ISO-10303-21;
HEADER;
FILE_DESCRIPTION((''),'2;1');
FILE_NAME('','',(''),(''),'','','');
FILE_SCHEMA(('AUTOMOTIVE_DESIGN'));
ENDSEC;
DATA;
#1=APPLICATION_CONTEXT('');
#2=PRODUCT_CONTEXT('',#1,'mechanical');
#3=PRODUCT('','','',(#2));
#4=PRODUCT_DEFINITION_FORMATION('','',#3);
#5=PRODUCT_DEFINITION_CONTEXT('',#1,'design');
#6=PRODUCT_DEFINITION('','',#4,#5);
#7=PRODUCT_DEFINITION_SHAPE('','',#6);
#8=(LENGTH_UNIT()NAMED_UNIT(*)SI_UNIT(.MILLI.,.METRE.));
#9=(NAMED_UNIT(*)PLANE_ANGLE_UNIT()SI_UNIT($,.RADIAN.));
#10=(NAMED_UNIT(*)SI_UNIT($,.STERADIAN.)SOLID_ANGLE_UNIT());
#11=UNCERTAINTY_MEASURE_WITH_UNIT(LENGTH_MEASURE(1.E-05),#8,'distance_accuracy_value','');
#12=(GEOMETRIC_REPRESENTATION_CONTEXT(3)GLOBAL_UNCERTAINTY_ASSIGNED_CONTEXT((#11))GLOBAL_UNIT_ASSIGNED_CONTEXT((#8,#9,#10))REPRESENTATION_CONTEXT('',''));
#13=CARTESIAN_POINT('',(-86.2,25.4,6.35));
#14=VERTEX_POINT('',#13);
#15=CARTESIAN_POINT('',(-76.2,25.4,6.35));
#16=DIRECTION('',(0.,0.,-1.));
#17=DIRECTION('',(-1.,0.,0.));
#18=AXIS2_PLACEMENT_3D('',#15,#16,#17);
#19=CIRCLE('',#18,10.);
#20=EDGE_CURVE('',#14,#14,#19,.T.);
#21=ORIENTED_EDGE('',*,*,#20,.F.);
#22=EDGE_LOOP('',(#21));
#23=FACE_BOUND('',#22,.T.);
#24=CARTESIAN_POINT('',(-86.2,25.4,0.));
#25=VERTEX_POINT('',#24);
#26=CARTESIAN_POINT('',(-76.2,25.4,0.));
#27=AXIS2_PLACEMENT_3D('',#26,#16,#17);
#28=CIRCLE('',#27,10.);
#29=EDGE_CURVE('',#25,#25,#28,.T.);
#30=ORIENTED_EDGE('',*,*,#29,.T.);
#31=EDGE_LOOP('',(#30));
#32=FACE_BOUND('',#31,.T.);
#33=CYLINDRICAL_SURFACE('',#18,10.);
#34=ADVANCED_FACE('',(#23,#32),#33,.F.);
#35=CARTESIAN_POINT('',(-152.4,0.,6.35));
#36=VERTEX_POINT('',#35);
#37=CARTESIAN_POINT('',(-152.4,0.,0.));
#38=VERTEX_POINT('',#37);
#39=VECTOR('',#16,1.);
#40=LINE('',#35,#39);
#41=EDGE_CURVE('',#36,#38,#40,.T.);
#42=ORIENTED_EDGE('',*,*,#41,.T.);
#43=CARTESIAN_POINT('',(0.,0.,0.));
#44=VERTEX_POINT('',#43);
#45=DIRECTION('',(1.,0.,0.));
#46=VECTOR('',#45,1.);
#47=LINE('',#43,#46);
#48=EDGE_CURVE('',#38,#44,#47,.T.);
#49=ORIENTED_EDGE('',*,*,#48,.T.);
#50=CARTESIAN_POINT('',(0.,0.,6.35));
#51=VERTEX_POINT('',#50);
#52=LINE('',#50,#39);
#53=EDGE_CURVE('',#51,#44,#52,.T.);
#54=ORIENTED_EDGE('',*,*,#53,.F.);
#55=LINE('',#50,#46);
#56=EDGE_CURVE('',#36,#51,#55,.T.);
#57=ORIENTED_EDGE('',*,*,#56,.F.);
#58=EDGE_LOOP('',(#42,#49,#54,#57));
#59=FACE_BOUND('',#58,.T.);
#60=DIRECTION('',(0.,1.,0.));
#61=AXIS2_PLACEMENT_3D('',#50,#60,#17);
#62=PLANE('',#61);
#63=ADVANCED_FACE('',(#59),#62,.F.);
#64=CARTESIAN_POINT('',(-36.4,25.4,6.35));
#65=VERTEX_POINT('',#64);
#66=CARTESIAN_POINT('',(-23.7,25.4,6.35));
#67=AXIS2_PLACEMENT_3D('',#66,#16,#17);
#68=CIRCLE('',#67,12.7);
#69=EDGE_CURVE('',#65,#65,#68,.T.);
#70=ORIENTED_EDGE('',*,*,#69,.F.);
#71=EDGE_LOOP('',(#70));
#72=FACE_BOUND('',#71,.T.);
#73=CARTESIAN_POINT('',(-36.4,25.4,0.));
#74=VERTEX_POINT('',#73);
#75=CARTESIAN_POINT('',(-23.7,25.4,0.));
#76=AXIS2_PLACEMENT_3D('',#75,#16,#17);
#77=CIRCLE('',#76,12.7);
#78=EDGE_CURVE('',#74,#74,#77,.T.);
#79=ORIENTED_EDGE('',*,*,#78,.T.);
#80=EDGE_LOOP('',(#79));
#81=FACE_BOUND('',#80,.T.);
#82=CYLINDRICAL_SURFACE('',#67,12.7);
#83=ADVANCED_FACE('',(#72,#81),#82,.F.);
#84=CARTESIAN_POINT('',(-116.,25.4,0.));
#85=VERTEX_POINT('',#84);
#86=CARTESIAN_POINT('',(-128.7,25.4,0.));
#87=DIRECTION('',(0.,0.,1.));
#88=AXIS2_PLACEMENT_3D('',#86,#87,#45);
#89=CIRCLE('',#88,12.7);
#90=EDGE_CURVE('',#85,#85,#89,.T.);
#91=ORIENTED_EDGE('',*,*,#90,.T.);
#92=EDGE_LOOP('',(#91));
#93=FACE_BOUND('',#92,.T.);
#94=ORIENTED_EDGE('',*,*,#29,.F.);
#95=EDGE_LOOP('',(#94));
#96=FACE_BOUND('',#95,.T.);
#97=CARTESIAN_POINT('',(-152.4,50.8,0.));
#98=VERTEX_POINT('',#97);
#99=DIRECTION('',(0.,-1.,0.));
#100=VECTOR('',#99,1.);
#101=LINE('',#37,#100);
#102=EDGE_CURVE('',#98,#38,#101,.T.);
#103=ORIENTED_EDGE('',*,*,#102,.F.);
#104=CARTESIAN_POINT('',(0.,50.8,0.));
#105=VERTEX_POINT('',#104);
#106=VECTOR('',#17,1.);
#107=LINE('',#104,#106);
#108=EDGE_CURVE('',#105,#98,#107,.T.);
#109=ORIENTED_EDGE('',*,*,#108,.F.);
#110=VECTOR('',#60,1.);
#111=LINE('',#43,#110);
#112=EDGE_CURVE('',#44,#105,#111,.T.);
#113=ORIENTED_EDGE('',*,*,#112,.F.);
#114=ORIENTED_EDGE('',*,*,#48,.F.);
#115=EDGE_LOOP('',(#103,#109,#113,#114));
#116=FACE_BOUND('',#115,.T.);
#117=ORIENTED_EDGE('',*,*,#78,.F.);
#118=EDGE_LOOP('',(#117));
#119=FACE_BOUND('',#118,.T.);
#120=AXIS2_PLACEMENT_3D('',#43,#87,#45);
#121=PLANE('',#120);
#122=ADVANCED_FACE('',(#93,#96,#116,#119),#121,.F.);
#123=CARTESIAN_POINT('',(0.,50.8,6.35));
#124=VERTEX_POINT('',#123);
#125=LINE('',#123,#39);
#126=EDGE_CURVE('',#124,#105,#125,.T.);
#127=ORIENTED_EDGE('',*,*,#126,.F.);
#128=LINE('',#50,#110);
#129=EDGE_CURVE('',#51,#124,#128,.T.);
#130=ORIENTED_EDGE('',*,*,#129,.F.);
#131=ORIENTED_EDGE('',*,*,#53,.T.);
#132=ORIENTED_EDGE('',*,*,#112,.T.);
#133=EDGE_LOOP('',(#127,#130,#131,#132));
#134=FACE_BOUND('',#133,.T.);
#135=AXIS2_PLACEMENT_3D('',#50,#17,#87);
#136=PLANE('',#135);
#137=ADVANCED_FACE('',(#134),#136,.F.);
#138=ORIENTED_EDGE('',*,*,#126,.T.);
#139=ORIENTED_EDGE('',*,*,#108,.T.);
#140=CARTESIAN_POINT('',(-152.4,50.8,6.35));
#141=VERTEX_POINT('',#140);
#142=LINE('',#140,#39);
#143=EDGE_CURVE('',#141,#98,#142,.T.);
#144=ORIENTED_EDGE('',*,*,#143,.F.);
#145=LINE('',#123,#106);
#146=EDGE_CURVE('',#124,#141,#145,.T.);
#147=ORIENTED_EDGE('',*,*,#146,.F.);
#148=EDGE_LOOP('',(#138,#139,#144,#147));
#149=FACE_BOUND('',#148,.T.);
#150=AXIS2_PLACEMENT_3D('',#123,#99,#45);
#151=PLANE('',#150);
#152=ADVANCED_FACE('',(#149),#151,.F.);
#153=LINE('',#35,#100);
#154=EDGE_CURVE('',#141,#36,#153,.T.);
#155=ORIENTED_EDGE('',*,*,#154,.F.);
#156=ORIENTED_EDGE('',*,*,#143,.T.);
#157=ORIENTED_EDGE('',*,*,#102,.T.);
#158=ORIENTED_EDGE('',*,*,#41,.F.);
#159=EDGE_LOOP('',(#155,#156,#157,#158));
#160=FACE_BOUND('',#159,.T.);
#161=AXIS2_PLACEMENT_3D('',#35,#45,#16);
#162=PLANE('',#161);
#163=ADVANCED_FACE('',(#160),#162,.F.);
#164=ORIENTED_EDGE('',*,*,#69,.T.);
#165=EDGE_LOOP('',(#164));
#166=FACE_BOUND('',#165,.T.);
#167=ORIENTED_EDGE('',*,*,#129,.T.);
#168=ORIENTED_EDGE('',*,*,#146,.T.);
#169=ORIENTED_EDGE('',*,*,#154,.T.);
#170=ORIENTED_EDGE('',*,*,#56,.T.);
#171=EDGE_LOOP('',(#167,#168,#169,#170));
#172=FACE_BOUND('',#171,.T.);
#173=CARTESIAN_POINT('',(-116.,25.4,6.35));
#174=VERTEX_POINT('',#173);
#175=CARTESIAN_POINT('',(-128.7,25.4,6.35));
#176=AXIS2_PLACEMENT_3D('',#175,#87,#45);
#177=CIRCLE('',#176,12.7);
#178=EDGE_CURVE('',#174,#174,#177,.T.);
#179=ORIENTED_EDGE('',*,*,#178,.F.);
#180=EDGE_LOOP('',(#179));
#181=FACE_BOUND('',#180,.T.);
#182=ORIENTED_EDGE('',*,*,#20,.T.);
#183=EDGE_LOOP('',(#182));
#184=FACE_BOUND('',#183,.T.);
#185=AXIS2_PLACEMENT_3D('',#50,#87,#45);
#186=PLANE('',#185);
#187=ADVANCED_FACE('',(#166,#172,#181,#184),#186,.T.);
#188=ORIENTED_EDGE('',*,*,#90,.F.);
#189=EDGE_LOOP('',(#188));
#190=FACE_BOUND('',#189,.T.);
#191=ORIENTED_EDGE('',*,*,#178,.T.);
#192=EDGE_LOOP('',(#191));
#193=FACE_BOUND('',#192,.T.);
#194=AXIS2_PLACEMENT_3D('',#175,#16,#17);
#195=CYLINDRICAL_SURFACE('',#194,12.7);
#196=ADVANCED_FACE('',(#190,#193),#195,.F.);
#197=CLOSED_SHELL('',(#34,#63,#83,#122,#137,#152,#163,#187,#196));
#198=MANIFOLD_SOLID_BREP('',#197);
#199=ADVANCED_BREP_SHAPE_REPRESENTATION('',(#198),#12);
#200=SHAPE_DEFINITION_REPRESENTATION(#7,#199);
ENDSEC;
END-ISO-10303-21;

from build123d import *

# Parameters (mm, degrees)
SKETCH1_W           = 152.4
SKETCH1_H           = 50.8
BOSS_EXTRUDE1_DEPTH = 6.35
SKETCH2_R           = 12.7
SKETCH2_R_2         = 10
CUT_EXTRUDE1_DEPTH  = 6.35


with BuildPart() as part:
    # Sketch1 → Boss-Extrude1 (new body)
    with BuildSketch(Plane.XY):
        with Locations((-76.2, 25.4)):
            Rectangle(SKETCH1_W, SKETCH1_H)
    extrude(amount=BOSS_EXTRUDE1_DEPTH)

    # Sketch2 → Cut-Extrude1 (cut)
    with BuildSketch(Plane(origin=(0, 0, 0), x_dir=(-1, 0, 0), z_dir=(0, 0, -1))):
        with Locations((23.7, 25.4)):
            Circle(SKETCH2_R)
        with Locations((76.2, 25.4)):
            Circle(SKETCH2_R_2)
        with Locations((128.7, 25.4)):
            Circle(SKETCH2_R)
    extrude(amount=-CUT_EXTRUDE1_DEPTH, mode=Mode.SUBTRACT)


solid = part.part
